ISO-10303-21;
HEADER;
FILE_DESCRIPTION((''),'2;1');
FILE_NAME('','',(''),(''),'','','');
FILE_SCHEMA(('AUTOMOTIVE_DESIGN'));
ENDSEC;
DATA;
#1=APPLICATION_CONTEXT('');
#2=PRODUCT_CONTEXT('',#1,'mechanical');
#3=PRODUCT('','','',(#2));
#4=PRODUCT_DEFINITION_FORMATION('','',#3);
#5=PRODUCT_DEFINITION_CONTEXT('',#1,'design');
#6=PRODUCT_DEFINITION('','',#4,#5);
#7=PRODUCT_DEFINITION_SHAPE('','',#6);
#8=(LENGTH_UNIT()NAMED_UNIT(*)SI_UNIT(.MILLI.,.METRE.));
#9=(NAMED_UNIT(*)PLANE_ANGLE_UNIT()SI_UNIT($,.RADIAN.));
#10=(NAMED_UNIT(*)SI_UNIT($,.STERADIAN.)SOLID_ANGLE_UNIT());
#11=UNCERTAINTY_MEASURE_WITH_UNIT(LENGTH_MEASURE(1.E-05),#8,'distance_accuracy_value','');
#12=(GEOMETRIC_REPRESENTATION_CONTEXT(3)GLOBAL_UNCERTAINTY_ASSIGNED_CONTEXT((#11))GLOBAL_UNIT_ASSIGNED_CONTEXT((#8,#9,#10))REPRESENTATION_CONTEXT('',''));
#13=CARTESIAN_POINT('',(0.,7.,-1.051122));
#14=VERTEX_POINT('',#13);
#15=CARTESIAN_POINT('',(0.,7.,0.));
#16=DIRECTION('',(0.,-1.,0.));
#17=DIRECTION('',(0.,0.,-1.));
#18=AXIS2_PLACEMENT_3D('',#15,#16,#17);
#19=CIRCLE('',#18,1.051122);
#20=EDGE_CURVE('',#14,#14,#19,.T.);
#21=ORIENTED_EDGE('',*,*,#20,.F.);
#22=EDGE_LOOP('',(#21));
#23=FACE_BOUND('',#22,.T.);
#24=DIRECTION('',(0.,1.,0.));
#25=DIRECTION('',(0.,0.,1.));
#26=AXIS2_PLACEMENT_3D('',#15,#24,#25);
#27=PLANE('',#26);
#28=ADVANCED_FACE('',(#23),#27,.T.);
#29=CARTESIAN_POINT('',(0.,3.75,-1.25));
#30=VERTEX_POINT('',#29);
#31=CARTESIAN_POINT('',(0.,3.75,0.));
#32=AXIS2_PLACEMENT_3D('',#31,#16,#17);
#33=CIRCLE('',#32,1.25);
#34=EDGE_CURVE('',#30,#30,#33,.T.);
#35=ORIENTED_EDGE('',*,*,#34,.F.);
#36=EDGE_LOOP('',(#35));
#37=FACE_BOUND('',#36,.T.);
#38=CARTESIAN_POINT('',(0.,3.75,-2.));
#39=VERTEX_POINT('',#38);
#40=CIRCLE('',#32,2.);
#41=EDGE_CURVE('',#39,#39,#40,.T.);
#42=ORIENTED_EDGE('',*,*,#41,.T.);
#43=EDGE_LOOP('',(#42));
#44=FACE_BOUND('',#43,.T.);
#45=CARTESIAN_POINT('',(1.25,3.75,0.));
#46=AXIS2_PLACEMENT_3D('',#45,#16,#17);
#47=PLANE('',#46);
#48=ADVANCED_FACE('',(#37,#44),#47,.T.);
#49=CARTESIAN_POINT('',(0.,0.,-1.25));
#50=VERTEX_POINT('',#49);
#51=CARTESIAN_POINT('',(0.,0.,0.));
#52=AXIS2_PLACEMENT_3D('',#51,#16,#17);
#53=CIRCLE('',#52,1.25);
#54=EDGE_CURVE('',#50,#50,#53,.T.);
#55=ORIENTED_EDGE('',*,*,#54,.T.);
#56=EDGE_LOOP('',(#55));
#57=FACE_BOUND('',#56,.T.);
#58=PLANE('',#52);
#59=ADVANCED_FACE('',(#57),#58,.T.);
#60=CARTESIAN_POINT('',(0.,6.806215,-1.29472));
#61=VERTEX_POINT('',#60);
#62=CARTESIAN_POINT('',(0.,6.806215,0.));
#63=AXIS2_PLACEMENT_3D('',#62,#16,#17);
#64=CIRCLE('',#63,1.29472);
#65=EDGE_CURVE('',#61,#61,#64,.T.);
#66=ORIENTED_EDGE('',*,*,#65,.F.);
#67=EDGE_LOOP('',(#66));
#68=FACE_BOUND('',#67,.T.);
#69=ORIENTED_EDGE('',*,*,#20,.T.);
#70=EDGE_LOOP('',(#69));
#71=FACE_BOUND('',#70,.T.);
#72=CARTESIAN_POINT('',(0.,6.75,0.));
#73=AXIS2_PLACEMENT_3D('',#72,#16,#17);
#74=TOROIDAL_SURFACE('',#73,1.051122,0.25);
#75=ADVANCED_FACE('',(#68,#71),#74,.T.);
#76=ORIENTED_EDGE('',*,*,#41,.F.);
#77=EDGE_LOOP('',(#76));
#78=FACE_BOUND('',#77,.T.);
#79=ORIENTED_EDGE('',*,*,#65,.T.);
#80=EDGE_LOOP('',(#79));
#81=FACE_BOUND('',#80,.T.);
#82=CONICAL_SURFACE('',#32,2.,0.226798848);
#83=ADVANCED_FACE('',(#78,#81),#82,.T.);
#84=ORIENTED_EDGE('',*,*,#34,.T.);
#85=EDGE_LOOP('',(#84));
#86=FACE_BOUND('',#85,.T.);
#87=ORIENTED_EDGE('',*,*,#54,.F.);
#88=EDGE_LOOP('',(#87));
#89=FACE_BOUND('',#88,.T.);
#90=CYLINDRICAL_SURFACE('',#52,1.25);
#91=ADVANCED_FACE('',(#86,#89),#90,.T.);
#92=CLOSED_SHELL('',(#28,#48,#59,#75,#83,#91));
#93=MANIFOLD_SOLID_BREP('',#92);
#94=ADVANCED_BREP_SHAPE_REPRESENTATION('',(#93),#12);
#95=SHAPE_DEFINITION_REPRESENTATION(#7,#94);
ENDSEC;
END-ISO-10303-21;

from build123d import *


with BuildPart() as part:
    # Sketch1 → Revolve1 (revolve)
    with BuildSketch(Plane.XY):
        with BuildLine():
            Line((0, 0), (0, 7))
            Line((0, 7), (1.051121845, 7))
            ThreePointArc((1.051121845, 7), (1.206759695, 6.945644728), (1.294719644, 6.806214877))
            Line((1.294719644, 6.806214877), (2, 3.75))
            Line((2, 3.75), (1.25, 3.75))
            Line((1.25, 3.75), (1.25, 0))
            Line((1.25, 0), (0, 0))
        make_face()
    revolve(axis=Axis((0, 0, 0), (0, 1, 0)))


solid = part.part
